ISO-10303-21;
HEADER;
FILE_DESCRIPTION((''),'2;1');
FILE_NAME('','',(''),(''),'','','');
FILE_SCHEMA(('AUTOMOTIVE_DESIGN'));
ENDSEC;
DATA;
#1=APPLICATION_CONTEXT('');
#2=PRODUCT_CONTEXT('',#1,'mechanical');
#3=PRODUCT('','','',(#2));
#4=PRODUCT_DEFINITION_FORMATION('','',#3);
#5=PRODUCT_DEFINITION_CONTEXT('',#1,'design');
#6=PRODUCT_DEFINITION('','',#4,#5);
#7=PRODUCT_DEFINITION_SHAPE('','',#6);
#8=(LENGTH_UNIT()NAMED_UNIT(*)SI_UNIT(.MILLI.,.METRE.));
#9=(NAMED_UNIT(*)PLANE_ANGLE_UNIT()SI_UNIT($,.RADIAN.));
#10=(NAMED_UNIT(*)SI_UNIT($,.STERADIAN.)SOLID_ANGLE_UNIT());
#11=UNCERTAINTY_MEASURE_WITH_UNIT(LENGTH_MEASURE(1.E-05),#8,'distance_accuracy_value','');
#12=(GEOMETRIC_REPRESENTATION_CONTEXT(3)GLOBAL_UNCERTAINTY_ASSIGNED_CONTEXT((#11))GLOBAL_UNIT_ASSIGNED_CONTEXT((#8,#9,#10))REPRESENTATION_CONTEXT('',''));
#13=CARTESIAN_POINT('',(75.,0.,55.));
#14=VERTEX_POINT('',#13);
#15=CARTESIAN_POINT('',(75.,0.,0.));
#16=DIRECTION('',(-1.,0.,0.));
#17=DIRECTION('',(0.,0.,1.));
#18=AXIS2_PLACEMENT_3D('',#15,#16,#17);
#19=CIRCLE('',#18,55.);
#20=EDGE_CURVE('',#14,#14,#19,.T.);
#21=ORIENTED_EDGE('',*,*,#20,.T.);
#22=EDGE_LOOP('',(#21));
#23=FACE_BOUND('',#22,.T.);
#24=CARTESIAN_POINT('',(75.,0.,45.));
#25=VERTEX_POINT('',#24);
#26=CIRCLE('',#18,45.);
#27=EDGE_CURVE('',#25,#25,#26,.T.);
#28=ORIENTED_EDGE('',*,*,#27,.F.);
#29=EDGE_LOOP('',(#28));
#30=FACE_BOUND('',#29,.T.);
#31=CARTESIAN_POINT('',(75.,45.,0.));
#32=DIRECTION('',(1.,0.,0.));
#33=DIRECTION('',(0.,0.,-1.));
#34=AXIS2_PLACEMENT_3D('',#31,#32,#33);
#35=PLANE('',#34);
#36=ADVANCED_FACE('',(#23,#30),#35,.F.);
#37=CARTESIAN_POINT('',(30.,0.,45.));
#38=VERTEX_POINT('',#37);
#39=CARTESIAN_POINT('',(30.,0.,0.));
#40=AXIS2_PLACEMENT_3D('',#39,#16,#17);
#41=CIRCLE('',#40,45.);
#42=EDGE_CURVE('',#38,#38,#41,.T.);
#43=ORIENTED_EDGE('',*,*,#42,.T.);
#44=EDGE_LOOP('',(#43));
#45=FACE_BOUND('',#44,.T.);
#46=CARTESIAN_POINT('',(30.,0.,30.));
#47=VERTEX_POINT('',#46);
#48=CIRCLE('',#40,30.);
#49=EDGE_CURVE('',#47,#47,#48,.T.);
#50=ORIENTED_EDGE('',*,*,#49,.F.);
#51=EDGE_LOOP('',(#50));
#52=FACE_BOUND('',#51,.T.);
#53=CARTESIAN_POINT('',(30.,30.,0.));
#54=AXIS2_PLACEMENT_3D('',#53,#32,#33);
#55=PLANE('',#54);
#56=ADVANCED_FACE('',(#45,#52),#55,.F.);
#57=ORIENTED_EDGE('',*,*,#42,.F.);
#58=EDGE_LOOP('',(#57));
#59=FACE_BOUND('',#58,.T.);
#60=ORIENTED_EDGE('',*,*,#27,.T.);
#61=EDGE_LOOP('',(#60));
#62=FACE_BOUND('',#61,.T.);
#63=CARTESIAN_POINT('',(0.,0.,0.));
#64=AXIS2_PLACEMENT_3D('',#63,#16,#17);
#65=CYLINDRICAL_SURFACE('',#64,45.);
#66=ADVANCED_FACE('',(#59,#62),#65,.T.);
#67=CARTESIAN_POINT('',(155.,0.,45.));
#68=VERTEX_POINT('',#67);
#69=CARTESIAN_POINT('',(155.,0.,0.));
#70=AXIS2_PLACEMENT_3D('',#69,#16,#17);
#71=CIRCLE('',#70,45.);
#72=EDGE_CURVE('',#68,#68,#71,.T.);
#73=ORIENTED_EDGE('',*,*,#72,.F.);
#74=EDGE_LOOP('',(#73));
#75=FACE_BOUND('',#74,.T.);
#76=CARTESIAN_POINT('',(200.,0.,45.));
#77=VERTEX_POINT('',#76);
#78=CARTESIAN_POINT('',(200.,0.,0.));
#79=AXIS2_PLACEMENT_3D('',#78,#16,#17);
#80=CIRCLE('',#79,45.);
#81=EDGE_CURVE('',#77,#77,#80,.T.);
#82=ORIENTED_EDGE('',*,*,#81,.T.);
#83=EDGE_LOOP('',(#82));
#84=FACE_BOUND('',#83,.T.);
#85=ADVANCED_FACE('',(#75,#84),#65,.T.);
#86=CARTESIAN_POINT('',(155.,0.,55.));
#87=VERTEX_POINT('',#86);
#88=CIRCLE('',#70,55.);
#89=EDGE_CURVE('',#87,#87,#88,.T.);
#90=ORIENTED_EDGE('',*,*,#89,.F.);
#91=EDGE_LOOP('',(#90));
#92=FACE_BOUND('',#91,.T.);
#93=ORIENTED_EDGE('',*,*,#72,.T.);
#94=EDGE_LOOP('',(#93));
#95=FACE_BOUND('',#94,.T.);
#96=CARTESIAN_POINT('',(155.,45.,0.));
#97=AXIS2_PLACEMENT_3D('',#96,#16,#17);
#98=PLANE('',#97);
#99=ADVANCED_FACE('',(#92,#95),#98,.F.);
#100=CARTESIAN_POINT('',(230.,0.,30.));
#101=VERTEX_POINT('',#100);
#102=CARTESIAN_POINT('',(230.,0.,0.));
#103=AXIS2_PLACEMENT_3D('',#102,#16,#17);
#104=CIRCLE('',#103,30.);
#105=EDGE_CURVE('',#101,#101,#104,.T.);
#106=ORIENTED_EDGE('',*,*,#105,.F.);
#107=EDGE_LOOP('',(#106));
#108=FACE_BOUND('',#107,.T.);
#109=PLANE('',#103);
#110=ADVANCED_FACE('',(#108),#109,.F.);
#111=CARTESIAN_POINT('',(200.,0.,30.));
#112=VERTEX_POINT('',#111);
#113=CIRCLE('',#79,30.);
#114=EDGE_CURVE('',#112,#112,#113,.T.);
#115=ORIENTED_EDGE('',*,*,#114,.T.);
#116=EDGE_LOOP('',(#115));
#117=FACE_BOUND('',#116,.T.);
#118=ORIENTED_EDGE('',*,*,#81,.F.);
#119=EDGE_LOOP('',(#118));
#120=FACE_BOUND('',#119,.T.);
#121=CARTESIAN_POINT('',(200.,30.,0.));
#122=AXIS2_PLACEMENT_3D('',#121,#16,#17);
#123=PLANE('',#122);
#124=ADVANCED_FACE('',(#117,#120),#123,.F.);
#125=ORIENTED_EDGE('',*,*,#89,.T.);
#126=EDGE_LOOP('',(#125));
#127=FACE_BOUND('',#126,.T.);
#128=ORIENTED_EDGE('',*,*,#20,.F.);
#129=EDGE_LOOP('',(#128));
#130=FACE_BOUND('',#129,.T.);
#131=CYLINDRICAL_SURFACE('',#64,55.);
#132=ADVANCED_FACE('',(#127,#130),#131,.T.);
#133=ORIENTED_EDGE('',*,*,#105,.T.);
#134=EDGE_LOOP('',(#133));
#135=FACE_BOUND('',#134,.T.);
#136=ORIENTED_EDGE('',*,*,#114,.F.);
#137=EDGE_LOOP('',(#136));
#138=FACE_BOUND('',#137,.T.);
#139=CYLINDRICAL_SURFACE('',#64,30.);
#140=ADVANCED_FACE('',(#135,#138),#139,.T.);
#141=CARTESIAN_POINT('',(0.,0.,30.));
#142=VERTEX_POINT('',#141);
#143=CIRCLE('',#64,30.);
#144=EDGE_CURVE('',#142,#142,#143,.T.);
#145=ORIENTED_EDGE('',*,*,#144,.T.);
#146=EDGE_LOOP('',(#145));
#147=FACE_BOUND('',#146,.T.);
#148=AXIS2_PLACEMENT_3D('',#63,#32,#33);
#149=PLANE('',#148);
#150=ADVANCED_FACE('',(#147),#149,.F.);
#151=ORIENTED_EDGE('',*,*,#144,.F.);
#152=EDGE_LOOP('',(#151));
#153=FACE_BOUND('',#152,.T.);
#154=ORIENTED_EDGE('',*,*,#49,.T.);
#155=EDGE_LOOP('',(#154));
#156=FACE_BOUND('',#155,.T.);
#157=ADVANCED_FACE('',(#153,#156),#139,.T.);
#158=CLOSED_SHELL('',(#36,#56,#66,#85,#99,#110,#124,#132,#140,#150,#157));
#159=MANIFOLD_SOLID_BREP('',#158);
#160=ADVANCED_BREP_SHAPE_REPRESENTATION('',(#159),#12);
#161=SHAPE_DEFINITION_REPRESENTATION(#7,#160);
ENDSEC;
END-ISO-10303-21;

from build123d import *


with BuildPart() as part:
    # Esboço1 → Revolução1 (revolve)
    with BuildSketch(Plane.XY, mode=Mode.PRIVATE) as revolu_o1_sk:
        Polygon((0, 0), (230, 0), (230, 30), (200, 30), (200, 45), (155, 45), (155, 55), (75, 55), (75, 45), (30, 45), (30, 30), (0, 30), align=None)
    revolve(revolu_o1_sk.sketch.rotate(Axis((0, 0, 0), (1, 0, 0)), 90), axis=Axis((0, 0, 0), (1, 0, 0)))


solid = part.part
